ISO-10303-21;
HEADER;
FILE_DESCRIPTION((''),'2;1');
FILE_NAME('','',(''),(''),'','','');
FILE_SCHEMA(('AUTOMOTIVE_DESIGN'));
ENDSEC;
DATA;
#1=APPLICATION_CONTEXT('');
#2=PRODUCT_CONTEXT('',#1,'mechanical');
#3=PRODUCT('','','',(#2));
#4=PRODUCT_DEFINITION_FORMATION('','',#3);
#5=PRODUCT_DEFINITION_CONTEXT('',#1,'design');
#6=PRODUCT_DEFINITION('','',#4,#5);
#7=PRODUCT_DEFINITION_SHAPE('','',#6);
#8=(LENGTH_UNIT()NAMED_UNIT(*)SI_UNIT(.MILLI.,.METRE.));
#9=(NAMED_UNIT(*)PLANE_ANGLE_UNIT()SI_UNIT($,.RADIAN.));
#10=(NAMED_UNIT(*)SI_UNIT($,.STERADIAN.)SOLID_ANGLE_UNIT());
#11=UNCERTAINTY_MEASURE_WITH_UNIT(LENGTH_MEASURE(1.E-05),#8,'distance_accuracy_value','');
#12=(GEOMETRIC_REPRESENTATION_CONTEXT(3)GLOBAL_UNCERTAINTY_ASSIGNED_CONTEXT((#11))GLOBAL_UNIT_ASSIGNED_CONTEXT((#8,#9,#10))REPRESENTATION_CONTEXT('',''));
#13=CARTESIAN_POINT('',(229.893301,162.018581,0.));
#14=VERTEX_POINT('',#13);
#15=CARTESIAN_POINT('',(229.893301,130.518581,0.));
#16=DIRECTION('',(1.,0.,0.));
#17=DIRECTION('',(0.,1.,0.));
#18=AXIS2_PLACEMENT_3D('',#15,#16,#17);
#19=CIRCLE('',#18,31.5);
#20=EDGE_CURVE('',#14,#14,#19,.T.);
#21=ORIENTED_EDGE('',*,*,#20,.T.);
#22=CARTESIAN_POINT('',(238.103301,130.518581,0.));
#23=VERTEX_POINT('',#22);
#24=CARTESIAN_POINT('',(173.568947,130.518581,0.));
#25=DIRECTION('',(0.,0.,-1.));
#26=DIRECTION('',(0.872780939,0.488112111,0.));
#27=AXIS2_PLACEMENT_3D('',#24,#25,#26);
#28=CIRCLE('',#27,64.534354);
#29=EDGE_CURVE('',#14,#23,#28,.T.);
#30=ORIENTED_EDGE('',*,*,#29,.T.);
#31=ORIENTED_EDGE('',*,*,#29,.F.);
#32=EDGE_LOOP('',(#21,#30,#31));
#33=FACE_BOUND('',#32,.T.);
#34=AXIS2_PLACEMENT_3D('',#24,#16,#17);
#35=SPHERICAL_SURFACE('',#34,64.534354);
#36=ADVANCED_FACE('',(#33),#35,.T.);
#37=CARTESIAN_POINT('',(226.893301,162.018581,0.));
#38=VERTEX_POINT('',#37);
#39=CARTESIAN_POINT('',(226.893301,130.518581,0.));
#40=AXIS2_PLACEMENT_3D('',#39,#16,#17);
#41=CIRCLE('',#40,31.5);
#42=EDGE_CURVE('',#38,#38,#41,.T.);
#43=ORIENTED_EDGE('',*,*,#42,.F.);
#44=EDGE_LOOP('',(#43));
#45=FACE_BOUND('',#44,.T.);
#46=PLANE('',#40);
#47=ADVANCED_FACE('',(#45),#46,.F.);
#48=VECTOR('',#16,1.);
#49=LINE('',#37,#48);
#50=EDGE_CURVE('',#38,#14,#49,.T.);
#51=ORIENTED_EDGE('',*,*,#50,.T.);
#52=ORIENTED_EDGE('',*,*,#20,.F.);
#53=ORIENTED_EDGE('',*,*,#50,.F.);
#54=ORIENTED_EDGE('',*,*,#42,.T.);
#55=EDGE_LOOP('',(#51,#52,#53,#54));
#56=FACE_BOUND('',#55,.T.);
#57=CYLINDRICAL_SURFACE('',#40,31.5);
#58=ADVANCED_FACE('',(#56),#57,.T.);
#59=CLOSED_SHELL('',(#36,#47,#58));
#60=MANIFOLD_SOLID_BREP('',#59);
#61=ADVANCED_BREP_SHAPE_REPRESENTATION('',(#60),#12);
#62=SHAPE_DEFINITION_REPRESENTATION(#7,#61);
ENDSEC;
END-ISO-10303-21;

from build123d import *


with BuildPart() as part:
    # 草图1 → 旋转1 (revolve)
    with BuildSketch(Plane.XY):
        with BuildLine():
            Line((226.893301001, 130.518581457), (226.893301001, 162.018581457))
            Line((226.893301001, 162.018581457), (229.893301001, 162.018581457))
            ThreePointArc((229.893301001, 162.018581457), (236.017080064, 146.794745778), (238.103301001, 130.518581457))
            Line((238.103301001, 130.518581457), (226.893301001, 130.518581457))
        make_face()
    revolve(axis=Axis((218.123666737, 130.518581457, 0), (1, 0, 0)))


solid = part.part
